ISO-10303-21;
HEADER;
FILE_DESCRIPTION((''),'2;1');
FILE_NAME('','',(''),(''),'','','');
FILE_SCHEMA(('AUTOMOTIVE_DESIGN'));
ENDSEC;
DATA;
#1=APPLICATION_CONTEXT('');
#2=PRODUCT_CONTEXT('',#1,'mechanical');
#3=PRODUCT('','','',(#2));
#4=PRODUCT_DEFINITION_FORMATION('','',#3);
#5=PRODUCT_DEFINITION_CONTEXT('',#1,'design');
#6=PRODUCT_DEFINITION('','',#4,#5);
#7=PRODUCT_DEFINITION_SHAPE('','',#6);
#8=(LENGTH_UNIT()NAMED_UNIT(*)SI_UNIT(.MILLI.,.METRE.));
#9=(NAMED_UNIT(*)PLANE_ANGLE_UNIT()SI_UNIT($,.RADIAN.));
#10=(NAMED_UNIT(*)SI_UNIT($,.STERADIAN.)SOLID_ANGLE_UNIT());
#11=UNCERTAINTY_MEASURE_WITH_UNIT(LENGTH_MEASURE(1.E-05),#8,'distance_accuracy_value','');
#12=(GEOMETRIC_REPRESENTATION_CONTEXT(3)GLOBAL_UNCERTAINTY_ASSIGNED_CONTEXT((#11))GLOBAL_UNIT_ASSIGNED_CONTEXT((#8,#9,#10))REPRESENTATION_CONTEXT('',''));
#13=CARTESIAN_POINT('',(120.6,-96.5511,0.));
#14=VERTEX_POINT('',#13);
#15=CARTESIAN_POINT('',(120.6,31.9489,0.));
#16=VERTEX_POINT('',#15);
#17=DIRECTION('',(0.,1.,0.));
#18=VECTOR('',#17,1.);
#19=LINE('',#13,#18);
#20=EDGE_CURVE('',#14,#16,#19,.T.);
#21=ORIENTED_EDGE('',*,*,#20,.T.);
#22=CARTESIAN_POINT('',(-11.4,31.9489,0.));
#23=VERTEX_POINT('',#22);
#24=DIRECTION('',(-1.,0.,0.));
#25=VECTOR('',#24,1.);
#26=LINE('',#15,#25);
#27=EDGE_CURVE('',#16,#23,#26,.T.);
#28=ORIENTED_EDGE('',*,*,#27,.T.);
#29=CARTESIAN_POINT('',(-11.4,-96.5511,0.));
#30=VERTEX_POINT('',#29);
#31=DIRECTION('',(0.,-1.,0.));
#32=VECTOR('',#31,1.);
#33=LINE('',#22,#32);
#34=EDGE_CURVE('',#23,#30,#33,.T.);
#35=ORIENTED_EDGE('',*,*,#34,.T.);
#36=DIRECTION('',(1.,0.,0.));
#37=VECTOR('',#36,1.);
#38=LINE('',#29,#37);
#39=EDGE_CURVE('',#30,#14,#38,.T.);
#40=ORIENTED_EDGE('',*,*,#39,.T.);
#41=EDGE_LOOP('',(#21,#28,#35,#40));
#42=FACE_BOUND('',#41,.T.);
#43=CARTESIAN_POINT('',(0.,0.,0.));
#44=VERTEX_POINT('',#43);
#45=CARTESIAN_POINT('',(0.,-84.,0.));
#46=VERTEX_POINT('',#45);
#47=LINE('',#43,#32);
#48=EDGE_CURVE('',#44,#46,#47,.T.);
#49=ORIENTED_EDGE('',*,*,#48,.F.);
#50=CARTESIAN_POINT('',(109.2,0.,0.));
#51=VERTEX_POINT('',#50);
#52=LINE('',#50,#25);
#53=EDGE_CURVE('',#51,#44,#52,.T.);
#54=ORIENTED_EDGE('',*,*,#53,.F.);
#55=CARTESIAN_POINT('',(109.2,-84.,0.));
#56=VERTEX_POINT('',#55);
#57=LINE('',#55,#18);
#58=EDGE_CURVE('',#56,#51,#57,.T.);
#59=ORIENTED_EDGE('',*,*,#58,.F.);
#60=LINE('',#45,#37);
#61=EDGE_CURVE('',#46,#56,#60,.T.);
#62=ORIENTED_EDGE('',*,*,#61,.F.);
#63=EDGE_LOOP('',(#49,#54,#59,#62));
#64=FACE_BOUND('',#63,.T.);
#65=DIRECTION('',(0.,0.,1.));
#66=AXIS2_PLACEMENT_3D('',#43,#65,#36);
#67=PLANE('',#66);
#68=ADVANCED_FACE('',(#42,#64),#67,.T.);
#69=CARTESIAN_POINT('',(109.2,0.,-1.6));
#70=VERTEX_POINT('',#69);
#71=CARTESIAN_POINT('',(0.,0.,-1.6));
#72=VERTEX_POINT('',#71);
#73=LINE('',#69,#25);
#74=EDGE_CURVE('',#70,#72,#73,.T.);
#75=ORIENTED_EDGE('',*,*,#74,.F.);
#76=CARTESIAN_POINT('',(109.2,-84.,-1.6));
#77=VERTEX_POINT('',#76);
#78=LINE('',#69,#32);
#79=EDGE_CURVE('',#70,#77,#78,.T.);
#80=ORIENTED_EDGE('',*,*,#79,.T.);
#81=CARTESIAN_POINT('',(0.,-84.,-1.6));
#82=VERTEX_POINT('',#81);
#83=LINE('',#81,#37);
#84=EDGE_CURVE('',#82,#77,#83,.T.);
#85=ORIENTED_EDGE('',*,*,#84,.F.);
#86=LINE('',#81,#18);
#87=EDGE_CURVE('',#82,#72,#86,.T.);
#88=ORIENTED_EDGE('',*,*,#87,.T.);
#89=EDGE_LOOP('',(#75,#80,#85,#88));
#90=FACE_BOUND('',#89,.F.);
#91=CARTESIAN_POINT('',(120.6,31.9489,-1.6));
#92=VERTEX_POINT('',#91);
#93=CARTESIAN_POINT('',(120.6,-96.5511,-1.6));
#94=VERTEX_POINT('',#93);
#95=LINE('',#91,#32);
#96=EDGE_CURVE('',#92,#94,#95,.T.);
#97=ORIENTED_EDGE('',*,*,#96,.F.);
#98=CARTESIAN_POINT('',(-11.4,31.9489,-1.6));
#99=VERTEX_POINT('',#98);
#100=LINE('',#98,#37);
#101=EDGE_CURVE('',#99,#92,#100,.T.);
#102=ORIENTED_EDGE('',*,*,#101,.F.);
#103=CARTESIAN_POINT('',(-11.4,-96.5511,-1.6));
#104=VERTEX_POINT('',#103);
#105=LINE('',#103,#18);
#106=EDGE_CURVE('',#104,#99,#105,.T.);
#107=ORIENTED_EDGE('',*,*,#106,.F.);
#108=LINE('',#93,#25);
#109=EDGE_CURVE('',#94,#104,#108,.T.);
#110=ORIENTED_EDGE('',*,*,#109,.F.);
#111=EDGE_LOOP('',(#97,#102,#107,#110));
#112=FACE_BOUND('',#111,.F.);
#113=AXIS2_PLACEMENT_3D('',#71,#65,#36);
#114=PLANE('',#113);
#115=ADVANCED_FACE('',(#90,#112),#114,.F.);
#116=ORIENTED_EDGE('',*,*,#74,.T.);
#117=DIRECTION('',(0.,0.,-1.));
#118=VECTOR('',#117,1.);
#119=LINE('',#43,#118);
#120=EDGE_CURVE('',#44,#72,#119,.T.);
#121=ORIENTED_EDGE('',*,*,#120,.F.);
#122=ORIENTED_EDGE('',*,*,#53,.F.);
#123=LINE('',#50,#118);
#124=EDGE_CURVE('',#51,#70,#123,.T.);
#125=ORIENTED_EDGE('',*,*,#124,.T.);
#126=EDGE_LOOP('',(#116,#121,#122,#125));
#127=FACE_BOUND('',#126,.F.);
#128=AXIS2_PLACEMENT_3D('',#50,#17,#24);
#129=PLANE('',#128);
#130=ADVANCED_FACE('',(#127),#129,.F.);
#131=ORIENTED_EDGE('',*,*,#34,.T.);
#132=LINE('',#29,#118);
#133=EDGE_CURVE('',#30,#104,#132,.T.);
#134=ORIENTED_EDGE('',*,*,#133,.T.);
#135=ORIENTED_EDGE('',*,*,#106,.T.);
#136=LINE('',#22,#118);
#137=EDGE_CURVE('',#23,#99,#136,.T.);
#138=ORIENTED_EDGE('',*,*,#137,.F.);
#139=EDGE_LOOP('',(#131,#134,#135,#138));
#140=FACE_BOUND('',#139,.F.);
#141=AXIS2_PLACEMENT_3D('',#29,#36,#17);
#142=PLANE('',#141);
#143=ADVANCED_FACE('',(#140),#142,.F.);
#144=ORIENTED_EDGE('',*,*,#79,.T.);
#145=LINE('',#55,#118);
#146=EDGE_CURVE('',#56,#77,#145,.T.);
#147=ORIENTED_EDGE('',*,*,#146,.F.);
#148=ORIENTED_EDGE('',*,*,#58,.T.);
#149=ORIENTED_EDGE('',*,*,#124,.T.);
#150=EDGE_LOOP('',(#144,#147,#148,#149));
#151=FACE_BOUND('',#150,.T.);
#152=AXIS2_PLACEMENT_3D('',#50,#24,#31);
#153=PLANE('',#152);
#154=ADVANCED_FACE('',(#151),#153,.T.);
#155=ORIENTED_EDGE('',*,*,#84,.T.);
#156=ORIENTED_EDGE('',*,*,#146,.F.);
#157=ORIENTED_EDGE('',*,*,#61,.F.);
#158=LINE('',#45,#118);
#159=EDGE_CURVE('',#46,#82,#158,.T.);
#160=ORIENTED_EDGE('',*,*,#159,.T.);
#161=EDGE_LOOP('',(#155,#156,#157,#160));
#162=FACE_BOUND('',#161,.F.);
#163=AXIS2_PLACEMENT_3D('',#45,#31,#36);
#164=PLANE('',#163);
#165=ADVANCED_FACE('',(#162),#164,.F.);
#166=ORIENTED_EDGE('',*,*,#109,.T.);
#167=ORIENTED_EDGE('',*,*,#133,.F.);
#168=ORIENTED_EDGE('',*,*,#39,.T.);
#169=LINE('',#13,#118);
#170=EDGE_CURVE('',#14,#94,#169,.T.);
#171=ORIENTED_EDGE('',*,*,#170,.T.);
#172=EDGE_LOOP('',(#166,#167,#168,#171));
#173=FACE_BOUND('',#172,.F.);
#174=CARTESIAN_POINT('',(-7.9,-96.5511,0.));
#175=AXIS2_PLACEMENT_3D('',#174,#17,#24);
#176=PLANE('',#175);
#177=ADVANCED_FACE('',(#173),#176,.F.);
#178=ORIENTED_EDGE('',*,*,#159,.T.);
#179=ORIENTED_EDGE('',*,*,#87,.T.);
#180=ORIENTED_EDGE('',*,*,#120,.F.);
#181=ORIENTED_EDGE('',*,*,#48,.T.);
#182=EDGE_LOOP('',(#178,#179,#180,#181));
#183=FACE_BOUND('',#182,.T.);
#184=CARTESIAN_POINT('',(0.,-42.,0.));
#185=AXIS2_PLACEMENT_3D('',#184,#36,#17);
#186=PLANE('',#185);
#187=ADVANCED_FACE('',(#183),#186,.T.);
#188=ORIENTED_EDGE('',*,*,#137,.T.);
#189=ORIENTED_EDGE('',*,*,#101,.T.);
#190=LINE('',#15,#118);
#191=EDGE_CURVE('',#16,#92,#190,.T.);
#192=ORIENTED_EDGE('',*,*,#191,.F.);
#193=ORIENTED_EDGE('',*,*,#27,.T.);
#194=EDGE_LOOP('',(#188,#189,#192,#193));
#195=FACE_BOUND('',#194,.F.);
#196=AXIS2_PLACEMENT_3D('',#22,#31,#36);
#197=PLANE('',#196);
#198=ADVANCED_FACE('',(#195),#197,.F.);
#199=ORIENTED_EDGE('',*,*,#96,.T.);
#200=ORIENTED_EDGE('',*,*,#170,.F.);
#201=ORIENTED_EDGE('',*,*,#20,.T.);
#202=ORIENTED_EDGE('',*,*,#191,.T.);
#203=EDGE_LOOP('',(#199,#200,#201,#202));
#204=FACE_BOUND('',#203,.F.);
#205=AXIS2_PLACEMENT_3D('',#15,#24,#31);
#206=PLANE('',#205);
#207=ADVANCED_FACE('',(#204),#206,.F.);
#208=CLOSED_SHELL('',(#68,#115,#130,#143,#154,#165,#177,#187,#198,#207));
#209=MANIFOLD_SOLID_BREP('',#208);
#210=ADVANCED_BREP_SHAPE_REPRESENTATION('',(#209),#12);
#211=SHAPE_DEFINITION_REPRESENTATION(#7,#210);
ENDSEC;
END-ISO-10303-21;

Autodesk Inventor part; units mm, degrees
ref_plane "YZ Plane" through (0, 0, 0) normal (1, 0, 0) x (0, 1, 0)
ref_plane "XZ Plane" through (0, 0, 0) normal (0, 1, 0) x (-1, 0, 0)
ref_plane "XY Plane" through (0, 0, 0) normal (0, 0, 1) x (1, 0, 0)
sketch "Sketch1" plane through (0, 0, 0) normal (0, 0, 1) x (1, 0, 0)
  line L0 (109.2, 0) -> (109.2, -84) projected
  line L1 (0, -84) -> (0, 0) projected
  line L2 (0, -84) -> (109.2, -84)
  line L3 (109.2, -84) -> (109.2, 0)
  line L4 (109.2, 0) -> (0, 0)
  line L5 (0, 0) -> (0, -84)
  line L6 (-11.4, 31.9489) -> (120.6, 31.9489)
  line L7 (120.6, 31.9489) -> (120.6, -96.5511)
  line L8 (120.6, -96.5511) -> (-11.4, -96.5511)
  line L9 (-11.4, -96.5511) -> (-11.4, 31.9489)
  line L10 (117.1, 20.1989) -> (-7.9, 20.1989)
  line L11 (-7.9, 20.1989) -> (-7.9, -84.8011)
  line L12 (-7.9, -84.8011) -> (117.1, -84.8011)
  line L13 (117.1, -84.8011) -> (117.1, 20.1989)
  line L14 (-7.9, -84.8011) -> (-7.9, -96.5511)
  line L15 (-7.9, 20.1989) -> (-7.9, 31.9489)
  line L16 (109.2, -42) -> (117.1, -42)
  line L17 (0, -42) -> (-7.9, -42)
  line L18 (120.6, -32.3011) -> (117.1, -32.3011)
  line L19 (-7.9, -32.3011) -> (-11.4, -32.3011)
  dimension "d0" = 128.5
  dimension "d1" = 105
  dimension "d3" = 125
  dimension "d4" = 132
extrude "Extrusion1" add sketch "Sketch1" against normal blind 1.6 contours L4 L1 L17 L11 L10 L13 L16 L0 | L16 L13 L12 L11 L17 L1 L2 L0 | L13 L18 L7 L8 L14 L12 | L13 L10 L15 L6 L7 L18 | L11 L14 L8 L9 L19 | L19 L9 L6 L15 L11
properties part number "Frontpanel"
